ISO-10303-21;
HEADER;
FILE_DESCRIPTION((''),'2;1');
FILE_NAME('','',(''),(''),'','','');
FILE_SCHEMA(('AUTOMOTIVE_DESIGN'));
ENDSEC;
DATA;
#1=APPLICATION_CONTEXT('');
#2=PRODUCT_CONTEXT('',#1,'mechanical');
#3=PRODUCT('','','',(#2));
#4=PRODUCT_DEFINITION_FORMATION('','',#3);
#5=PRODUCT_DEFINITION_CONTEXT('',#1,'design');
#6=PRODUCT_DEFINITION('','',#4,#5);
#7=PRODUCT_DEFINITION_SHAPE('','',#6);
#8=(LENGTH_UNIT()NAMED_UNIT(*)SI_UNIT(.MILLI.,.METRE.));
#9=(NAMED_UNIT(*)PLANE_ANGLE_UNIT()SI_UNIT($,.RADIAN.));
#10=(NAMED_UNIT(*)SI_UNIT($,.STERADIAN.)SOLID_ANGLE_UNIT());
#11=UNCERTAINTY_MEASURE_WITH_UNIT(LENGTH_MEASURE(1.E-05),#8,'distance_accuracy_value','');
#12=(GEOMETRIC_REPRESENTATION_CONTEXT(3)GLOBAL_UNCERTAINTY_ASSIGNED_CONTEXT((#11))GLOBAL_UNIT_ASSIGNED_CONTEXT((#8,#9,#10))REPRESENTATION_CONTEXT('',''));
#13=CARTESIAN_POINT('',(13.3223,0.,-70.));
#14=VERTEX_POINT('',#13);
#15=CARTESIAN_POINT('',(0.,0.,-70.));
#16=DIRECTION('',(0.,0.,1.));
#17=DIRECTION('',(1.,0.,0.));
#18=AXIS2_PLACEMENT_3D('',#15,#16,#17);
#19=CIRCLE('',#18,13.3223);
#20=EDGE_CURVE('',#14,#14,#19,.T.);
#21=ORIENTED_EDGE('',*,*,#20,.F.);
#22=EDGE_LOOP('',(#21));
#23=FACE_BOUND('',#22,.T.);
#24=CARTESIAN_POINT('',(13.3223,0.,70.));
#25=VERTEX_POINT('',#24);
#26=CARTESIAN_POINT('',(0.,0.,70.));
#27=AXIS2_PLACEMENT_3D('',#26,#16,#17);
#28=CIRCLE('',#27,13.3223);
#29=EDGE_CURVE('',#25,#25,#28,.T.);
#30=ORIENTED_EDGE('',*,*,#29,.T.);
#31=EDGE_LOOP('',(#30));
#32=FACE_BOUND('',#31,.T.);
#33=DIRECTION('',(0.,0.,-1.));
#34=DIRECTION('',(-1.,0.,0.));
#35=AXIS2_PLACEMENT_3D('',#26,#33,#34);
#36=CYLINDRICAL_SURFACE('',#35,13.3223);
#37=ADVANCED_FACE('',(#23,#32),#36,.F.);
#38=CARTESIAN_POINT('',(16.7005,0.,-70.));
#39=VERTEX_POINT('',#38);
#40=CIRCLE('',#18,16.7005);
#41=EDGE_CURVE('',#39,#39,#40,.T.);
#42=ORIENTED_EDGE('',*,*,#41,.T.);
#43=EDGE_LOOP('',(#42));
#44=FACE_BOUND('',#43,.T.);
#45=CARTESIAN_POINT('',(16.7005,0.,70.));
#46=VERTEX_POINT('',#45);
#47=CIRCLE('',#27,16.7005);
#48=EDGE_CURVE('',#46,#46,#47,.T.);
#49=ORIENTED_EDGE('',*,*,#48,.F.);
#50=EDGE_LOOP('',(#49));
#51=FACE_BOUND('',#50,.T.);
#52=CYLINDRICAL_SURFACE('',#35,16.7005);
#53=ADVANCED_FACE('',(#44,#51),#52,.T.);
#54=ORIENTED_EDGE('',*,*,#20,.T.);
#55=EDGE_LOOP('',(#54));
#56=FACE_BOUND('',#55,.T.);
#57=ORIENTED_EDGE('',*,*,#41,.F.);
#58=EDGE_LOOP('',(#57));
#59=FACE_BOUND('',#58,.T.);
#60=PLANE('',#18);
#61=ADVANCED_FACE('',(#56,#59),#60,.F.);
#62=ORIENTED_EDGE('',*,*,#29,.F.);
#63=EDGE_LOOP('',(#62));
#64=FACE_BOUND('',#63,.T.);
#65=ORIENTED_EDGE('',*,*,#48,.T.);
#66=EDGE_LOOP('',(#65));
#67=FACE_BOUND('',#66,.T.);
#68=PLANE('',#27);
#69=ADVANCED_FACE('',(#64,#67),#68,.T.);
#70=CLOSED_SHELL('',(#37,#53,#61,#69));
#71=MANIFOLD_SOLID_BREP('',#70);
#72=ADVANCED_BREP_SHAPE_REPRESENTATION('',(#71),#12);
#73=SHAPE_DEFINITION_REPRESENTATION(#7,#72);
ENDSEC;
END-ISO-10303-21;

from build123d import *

# Parameters (mm, degrees)
SKETCH1_R           = 16.7005
SKETCH1_R_2         = 13.3223
EXTRUDE_THIN1_DEPTH = 70


with BuildPart() as part:
    # Sketch1 → Extrude-Thin1 (new body, symmetric)
    with BuildSketch(Plane.XY):
        Circle(SKETCH1_R)
        Circle(SKETCH1_R_2, mode=Mode.SUBTRACT)
    extrude(amount=EXTRUDE_THIN1_DEPTH, both=True)


solid = part.part
